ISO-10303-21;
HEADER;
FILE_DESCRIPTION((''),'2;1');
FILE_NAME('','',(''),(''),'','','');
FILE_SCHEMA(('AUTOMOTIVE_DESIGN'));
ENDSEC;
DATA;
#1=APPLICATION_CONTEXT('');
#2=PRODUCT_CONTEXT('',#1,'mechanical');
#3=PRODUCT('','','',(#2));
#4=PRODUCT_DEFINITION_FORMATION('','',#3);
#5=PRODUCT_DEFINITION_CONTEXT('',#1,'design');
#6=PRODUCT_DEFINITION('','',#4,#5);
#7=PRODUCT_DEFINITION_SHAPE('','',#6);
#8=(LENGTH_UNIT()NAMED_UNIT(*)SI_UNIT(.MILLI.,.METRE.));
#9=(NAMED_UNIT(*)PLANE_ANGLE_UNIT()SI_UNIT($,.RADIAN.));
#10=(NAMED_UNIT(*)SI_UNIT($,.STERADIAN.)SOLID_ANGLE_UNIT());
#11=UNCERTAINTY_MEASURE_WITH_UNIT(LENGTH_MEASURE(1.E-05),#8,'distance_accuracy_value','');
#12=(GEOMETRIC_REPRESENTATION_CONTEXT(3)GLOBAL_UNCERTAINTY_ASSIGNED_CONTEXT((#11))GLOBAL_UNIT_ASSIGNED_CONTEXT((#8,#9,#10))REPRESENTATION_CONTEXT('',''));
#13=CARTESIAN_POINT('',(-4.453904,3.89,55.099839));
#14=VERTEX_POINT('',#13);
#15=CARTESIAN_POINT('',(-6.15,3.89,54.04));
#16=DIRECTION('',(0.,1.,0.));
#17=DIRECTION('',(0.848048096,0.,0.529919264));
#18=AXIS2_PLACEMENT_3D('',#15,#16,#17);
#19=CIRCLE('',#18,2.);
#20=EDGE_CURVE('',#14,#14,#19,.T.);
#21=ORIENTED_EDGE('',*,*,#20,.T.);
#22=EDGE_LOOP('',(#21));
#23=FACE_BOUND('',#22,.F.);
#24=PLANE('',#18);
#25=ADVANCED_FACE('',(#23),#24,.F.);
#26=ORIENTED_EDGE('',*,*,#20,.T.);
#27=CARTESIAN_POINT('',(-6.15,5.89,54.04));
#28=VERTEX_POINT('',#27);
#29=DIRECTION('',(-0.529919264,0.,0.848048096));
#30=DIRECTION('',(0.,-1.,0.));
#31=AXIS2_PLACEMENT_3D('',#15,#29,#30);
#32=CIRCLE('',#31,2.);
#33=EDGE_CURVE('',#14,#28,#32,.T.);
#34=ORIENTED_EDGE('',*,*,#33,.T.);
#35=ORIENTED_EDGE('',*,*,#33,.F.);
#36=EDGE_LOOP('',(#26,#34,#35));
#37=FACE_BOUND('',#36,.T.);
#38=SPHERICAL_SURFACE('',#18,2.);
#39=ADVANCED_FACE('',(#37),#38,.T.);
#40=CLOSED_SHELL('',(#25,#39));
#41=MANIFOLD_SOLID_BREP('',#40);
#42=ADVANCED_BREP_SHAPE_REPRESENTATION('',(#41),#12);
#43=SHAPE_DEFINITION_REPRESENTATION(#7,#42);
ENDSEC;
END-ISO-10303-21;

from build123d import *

# Parameters (mm, degrees)
BOX144_W           = 10
BOX144_H           = 10
BOX144_DEPTH       = 10
CUT066_ROLL_ANGLE  = -90
CUT066_PITCH_ANGLE = -32


with BuildPart() as cube009:
    # Box144 → Box144 (new body)
    with BuildSketch(Plane(origin=(-5, -5, -10), x_dir=(1, 0, 0), z_dir=(0, 0, 1))):
        with Locations((5, 5)):
            Rectangle(BOX144_W, BOX144_H)
    extrude(amount=BOX144_DEPTH)


with BuildPart() as sapphire_half_ball_lens009:
    # Sphere009 → Sphere009 (revolve)
    with BuildSketch(Plane.XZ):
        with BuildLine():
            ThreePointArc((0, -2), (2, 0), (0, 2))
            Line((0, 2), (0, -2))
        make_face()
    revolve(axis=Axis((0, 0, 0), (0, 0, 1)))

    # Cut066: cut Cube009
    add(cube009.part, mode=Mode.SUBTRACT)


with BuildPart() as sapphire_half_ball_lens009_1:
    # Cut066 roll: moved
    add(sapphire_half_ball_lens009.part.rotate(Axis((0, 0, 0), (1, 0, 0)), CUT066_ROLL_ANGLE))


with BuildPart() as sapphire_half_ball_lens009_2:
    # Cut066 pitch: moved
    add(sapphire_half_ball_lens009_1.part.rotate(Axis((0, 0, 0), (0, 1, 0)), CUT066_PITCH_ANGLE))


with BuildPart() as sapphire_half_ball_lens009_3:
    # Cut066 placement: moved
    add(sapphire_half_ball_lens009_2.part.moved(Location((-6.15, 3.89, 54.04))))


solid = sapphire_half_ball_lens009_3.part
